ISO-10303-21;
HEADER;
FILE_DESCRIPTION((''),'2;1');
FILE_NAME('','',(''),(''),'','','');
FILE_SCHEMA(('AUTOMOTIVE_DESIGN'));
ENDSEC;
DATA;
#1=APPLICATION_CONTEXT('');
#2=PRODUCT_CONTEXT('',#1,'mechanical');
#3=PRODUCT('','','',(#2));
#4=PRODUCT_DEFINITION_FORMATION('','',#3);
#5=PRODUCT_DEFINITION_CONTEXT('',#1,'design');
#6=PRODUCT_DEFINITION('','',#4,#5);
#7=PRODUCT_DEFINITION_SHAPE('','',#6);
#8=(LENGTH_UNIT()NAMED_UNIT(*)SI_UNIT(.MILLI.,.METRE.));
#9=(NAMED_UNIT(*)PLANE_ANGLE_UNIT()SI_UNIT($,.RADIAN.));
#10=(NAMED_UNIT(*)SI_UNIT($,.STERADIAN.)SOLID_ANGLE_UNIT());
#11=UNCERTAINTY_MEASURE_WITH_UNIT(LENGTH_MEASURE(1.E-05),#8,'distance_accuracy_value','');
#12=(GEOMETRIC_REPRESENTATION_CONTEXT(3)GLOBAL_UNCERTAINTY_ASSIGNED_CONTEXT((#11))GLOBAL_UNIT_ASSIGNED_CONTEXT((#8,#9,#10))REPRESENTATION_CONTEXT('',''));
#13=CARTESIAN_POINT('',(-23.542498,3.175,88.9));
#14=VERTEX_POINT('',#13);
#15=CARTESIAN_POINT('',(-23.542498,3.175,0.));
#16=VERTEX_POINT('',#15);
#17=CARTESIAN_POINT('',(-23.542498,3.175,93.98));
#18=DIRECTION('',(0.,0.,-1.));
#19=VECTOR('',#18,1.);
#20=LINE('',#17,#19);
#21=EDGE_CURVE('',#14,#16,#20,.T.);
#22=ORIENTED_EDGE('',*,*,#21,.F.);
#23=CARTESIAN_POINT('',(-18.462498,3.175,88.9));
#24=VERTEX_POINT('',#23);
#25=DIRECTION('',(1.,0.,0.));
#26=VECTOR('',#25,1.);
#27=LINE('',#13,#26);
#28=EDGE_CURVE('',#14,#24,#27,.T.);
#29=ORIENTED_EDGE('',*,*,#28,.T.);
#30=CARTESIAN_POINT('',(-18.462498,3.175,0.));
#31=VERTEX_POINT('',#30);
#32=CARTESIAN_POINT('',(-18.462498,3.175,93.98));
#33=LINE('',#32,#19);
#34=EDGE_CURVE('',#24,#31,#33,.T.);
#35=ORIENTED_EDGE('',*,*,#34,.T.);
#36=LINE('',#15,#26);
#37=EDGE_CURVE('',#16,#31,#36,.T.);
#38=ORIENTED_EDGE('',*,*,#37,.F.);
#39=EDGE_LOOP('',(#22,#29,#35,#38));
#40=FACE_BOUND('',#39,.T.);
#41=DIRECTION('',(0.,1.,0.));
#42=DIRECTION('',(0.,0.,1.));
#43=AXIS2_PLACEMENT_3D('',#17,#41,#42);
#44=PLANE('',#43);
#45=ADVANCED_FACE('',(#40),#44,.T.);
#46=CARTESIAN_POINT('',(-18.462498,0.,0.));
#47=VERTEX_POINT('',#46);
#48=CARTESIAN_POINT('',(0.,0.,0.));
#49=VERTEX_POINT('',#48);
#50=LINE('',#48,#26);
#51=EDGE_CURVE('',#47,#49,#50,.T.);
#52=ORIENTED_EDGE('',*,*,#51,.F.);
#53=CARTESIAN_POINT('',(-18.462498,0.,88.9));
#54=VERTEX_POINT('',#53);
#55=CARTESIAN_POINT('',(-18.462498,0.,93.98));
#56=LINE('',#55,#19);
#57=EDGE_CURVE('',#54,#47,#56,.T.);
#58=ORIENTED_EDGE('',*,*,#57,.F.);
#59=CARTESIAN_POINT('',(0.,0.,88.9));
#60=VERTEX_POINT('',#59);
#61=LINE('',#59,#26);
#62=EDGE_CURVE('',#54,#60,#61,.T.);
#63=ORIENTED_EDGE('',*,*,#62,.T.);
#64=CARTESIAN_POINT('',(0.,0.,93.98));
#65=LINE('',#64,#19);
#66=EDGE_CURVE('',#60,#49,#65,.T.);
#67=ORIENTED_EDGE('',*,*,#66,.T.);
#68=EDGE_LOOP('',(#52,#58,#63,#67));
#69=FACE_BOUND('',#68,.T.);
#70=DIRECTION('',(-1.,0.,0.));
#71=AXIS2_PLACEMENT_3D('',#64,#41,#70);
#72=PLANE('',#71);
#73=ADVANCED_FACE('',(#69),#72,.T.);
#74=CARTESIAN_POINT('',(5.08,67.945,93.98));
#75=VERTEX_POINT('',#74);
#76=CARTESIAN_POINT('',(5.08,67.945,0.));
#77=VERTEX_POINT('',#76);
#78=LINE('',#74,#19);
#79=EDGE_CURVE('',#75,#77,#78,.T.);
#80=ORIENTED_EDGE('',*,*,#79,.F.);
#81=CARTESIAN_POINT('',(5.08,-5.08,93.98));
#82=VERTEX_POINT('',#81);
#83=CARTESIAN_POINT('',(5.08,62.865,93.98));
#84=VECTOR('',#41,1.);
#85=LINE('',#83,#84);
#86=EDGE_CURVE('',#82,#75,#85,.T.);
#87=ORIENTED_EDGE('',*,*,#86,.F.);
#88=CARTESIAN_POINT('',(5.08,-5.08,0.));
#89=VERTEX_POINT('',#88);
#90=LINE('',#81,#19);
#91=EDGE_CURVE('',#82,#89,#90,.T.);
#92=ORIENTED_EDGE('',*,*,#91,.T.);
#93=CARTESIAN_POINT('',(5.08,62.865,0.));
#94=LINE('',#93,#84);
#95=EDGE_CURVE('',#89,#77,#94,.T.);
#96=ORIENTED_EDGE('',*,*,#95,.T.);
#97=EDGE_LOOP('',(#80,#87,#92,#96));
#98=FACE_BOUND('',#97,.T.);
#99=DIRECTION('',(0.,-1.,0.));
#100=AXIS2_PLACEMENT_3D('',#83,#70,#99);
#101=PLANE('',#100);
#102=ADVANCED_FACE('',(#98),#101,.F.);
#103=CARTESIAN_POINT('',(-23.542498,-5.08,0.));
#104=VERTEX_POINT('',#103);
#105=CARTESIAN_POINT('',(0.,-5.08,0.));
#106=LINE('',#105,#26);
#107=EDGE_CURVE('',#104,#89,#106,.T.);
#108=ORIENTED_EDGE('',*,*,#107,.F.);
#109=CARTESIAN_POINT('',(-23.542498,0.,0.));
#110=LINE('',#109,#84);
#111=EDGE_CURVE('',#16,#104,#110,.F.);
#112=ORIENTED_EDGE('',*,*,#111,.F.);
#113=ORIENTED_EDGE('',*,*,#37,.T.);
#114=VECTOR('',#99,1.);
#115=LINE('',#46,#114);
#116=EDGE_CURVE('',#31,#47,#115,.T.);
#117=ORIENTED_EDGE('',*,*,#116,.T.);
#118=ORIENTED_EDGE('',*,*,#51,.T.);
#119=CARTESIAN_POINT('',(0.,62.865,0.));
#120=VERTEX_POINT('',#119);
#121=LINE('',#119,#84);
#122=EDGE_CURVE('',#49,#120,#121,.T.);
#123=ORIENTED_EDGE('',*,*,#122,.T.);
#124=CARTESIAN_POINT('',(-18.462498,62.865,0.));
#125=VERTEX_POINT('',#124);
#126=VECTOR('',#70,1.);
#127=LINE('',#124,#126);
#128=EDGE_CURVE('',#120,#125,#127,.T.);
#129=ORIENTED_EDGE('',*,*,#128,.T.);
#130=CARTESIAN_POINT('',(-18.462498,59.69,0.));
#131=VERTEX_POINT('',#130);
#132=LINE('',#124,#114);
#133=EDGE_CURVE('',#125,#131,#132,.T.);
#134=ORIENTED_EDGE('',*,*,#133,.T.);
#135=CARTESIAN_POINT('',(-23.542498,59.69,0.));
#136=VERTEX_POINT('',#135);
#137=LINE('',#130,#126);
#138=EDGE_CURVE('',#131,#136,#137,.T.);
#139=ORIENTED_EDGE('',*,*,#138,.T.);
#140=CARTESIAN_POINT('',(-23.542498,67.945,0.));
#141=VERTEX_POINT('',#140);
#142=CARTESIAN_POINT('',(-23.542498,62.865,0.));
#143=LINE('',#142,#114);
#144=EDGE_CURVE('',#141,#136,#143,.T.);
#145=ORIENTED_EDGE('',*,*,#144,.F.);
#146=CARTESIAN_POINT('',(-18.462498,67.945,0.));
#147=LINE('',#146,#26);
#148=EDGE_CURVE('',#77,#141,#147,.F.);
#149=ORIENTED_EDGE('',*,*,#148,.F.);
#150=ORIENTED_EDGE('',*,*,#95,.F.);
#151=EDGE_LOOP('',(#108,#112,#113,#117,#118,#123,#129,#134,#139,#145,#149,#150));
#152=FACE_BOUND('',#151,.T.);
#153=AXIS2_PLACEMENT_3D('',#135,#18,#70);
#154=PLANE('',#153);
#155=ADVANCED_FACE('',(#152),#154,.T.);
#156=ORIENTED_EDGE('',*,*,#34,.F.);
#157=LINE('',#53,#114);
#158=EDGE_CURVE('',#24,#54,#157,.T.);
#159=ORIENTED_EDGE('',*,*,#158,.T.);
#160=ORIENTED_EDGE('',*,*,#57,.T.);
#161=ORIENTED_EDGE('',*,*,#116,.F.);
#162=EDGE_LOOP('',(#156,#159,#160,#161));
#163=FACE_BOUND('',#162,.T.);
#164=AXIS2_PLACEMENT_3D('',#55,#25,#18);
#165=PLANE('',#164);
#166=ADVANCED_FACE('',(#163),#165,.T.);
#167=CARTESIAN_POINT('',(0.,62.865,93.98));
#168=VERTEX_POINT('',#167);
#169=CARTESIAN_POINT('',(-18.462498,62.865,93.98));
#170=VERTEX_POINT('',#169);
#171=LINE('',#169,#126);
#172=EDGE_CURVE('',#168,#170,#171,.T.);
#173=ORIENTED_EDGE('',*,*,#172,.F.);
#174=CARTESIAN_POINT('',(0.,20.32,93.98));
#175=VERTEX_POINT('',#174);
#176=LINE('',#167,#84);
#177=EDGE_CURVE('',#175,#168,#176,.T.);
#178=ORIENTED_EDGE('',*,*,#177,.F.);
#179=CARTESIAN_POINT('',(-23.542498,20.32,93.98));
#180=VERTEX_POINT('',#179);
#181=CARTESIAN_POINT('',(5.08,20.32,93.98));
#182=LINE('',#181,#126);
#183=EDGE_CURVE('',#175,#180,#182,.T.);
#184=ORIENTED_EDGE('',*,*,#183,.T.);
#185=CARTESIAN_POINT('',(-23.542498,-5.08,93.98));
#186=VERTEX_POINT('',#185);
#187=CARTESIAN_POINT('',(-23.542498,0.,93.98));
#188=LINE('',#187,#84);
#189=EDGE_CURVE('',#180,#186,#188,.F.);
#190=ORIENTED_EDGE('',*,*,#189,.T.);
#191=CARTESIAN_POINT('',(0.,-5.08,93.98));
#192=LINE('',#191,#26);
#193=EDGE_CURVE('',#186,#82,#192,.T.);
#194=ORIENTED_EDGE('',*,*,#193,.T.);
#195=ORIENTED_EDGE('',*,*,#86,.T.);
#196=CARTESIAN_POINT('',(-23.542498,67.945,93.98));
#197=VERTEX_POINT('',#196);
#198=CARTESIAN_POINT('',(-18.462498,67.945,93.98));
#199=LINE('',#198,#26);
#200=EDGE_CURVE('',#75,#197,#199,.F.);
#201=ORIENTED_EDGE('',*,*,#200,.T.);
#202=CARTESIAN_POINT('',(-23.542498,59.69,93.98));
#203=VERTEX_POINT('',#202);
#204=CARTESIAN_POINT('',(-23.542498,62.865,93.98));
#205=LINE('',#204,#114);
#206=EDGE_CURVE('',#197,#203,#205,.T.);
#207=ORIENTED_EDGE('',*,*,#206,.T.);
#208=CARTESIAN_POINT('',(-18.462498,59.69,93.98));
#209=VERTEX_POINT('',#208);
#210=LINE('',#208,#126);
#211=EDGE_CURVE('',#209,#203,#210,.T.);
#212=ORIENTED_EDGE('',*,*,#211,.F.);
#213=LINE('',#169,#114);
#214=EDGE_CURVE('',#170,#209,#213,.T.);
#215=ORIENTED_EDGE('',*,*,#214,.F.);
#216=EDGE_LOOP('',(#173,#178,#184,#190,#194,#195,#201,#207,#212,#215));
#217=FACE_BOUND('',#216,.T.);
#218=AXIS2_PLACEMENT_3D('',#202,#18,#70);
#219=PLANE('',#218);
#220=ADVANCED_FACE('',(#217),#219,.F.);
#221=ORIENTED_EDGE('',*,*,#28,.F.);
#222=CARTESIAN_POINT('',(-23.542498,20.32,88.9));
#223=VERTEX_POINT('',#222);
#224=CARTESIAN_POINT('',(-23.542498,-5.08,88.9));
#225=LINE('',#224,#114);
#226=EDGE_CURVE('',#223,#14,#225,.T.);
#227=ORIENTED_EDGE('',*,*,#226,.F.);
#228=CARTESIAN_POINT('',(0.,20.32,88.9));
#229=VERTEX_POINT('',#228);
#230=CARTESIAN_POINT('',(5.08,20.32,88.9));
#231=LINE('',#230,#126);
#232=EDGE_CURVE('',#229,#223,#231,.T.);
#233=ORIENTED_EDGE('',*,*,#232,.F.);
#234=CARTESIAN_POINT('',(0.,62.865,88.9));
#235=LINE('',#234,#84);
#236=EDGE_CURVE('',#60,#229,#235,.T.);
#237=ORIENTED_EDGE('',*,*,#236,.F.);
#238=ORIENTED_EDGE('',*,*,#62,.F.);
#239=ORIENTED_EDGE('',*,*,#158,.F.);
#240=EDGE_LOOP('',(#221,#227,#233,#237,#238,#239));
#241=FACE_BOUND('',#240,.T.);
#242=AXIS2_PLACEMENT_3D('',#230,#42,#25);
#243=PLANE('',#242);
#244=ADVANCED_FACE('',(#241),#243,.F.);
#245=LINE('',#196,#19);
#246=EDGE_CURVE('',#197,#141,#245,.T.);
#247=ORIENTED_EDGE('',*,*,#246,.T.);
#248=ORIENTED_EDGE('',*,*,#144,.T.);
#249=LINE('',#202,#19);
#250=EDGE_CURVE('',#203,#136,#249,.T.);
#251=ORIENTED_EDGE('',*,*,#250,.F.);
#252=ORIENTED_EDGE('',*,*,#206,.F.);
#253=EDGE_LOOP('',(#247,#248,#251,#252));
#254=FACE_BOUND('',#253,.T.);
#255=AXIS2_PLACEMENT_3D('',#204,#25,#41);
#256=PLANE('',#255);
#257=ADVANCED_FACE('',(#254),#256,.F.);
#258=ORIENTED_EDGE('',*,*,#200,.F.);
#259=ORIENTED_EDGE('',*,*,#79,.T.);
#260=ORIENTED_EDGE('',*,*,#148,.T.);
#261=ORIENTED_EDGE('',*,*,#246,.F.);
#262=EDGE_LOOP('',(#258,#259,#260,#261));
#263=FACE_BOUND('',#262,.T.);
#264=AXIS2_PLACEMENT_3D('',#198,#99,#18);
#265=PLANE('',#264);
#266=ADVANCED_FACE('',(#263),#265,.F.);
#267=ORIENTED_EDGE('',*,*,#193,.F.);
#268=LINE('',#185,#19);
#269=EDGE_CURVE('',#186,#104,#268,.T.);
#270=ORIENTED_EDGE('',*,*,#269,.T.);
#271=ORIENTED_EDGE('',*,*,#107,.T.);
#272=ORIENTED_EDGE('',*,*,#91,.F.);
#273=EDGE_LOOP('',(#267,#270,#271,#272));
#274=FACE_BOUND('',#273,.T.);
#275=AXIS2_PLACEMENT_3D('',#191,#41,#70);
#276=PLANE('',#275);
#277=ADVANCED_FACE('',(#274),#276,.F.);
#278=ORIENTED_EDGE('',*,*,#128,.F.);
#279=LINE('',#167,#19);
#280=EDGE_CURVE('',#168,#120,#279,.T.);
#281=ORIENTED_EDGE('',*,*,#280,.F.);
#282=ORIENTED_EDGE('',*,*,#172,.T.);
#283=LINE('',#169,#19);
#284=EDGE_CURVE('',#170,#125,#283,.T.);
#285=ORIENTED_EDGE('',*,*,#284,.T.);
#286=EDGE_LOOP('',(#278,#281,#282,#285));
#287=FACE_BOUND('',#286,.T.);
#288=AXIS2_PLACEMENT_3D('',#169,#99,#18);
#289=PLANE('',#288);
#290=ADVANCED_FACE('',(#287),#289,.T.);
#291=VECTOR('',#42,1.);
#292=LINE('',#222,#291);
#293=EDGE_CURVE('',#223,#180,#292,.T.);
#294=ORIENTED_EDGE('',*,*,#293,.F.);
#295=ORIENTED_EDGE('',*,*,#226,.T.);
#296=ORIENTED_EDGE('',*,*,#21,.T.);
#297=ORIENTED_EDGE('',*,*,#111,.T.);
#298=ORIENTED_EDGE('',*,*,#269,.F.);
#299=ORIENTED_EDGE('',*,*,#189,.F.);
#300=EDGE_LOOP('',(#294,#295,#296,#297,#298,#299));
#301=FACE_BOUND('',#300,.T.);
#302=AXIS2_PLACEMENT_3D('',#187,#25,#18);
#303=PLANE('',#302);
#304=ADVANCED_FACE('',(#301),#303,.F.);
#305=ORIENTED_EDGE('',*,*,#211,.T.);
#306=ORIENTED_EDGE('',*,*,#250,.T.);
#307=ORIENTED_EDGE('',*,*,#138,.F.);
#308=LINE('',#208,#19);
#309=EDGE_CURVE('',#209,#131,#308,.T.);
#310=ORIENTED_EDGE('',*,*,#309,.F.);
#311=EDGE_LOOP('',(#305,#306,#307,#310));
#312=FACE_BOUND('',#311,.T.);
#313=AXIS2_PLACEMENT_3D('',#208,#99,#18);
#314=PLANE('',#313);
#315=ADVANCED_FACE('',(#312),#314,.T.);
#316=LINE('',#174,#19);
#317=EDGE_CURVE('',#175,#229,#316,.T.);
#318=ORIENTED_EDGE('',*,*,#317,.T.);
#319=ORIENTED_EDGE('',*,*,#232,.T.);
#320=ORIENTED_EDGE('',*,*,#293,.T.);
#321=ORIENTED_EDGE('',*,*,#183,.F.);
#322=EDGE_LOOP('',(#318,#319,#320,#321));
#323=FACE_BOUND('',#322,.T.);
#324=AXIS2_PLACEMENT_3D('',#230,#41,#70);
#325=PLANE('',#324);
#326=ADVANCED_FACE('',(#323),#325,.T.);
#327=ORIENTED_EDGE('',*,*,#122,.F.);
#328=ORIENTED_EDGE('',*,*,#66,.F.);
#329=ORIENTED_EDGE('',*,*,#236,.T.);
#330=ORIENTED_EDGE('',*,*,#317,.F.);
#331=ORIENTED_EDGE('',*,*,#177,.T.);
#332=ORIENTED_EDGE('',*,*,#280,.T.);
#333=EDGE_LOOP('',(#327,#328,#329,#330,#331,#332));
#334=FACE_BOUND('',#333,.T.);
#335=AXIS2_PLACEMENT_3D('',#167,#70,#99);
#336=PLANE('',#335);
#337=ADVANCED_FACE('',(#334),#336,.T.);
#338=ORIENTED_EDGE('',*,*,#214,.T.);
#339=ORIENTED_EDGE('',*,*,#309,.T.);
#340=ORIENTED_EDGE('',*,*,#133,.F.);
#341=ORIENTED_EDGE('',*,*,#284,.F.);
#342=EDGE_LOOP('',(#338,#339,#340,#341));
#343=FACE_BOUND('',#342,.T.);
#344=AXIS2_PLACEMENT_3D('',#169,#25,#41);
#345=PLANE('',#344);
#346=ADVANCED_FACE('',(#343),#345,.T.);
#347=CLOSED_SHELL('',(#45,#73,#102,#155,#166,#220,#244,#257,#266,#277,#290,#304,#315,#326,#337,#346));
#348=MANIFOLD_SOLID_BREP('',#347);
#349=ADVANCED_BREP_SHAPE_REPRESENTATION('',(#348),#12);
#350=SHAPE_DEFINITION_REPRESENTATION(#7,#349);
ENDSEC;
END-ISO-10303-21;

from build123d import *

# Parameters (mm, degrees)
EXTRUDE_THIN1_DEPTH = 93.98
SKETCH2_W           = 28.622498
SKETCH2_H           = 25.4
BOSS_EXTRUDE1_DEPTH = 5.08


with BuildPart() as part:
    # Sketch1 → Extrude-Thin1 (new body)
    with BuildSketch(Plane.XY):
        Polygon((-18.462498, 59.69), (-18.462498, 62.865), (0, 62.865), (0, 0), (-18.462498, 0), (-18.462498, 3.175), (-23.542498, 3.175), (-23.542498, -5.08), (5.08, -5.08), (5.08, 67.945), (-23.542498, 67.945), (-23.542498, 59.69), align=None)
    extrude(amount=EXTRUDE_THIN1_DEPTH)

    # Sketch2 → Boss-Extrude1 (add)
    with BuildSketch(Plane.XY.offset(93.98)):
        with Locations((-9.231249, 7.62)):
            Rectangle(SKETCH2_W, SKETCH2_H)
    extrude(amount=-BOSS_EXTRUDE1_DEPTH)


solid = part.part
